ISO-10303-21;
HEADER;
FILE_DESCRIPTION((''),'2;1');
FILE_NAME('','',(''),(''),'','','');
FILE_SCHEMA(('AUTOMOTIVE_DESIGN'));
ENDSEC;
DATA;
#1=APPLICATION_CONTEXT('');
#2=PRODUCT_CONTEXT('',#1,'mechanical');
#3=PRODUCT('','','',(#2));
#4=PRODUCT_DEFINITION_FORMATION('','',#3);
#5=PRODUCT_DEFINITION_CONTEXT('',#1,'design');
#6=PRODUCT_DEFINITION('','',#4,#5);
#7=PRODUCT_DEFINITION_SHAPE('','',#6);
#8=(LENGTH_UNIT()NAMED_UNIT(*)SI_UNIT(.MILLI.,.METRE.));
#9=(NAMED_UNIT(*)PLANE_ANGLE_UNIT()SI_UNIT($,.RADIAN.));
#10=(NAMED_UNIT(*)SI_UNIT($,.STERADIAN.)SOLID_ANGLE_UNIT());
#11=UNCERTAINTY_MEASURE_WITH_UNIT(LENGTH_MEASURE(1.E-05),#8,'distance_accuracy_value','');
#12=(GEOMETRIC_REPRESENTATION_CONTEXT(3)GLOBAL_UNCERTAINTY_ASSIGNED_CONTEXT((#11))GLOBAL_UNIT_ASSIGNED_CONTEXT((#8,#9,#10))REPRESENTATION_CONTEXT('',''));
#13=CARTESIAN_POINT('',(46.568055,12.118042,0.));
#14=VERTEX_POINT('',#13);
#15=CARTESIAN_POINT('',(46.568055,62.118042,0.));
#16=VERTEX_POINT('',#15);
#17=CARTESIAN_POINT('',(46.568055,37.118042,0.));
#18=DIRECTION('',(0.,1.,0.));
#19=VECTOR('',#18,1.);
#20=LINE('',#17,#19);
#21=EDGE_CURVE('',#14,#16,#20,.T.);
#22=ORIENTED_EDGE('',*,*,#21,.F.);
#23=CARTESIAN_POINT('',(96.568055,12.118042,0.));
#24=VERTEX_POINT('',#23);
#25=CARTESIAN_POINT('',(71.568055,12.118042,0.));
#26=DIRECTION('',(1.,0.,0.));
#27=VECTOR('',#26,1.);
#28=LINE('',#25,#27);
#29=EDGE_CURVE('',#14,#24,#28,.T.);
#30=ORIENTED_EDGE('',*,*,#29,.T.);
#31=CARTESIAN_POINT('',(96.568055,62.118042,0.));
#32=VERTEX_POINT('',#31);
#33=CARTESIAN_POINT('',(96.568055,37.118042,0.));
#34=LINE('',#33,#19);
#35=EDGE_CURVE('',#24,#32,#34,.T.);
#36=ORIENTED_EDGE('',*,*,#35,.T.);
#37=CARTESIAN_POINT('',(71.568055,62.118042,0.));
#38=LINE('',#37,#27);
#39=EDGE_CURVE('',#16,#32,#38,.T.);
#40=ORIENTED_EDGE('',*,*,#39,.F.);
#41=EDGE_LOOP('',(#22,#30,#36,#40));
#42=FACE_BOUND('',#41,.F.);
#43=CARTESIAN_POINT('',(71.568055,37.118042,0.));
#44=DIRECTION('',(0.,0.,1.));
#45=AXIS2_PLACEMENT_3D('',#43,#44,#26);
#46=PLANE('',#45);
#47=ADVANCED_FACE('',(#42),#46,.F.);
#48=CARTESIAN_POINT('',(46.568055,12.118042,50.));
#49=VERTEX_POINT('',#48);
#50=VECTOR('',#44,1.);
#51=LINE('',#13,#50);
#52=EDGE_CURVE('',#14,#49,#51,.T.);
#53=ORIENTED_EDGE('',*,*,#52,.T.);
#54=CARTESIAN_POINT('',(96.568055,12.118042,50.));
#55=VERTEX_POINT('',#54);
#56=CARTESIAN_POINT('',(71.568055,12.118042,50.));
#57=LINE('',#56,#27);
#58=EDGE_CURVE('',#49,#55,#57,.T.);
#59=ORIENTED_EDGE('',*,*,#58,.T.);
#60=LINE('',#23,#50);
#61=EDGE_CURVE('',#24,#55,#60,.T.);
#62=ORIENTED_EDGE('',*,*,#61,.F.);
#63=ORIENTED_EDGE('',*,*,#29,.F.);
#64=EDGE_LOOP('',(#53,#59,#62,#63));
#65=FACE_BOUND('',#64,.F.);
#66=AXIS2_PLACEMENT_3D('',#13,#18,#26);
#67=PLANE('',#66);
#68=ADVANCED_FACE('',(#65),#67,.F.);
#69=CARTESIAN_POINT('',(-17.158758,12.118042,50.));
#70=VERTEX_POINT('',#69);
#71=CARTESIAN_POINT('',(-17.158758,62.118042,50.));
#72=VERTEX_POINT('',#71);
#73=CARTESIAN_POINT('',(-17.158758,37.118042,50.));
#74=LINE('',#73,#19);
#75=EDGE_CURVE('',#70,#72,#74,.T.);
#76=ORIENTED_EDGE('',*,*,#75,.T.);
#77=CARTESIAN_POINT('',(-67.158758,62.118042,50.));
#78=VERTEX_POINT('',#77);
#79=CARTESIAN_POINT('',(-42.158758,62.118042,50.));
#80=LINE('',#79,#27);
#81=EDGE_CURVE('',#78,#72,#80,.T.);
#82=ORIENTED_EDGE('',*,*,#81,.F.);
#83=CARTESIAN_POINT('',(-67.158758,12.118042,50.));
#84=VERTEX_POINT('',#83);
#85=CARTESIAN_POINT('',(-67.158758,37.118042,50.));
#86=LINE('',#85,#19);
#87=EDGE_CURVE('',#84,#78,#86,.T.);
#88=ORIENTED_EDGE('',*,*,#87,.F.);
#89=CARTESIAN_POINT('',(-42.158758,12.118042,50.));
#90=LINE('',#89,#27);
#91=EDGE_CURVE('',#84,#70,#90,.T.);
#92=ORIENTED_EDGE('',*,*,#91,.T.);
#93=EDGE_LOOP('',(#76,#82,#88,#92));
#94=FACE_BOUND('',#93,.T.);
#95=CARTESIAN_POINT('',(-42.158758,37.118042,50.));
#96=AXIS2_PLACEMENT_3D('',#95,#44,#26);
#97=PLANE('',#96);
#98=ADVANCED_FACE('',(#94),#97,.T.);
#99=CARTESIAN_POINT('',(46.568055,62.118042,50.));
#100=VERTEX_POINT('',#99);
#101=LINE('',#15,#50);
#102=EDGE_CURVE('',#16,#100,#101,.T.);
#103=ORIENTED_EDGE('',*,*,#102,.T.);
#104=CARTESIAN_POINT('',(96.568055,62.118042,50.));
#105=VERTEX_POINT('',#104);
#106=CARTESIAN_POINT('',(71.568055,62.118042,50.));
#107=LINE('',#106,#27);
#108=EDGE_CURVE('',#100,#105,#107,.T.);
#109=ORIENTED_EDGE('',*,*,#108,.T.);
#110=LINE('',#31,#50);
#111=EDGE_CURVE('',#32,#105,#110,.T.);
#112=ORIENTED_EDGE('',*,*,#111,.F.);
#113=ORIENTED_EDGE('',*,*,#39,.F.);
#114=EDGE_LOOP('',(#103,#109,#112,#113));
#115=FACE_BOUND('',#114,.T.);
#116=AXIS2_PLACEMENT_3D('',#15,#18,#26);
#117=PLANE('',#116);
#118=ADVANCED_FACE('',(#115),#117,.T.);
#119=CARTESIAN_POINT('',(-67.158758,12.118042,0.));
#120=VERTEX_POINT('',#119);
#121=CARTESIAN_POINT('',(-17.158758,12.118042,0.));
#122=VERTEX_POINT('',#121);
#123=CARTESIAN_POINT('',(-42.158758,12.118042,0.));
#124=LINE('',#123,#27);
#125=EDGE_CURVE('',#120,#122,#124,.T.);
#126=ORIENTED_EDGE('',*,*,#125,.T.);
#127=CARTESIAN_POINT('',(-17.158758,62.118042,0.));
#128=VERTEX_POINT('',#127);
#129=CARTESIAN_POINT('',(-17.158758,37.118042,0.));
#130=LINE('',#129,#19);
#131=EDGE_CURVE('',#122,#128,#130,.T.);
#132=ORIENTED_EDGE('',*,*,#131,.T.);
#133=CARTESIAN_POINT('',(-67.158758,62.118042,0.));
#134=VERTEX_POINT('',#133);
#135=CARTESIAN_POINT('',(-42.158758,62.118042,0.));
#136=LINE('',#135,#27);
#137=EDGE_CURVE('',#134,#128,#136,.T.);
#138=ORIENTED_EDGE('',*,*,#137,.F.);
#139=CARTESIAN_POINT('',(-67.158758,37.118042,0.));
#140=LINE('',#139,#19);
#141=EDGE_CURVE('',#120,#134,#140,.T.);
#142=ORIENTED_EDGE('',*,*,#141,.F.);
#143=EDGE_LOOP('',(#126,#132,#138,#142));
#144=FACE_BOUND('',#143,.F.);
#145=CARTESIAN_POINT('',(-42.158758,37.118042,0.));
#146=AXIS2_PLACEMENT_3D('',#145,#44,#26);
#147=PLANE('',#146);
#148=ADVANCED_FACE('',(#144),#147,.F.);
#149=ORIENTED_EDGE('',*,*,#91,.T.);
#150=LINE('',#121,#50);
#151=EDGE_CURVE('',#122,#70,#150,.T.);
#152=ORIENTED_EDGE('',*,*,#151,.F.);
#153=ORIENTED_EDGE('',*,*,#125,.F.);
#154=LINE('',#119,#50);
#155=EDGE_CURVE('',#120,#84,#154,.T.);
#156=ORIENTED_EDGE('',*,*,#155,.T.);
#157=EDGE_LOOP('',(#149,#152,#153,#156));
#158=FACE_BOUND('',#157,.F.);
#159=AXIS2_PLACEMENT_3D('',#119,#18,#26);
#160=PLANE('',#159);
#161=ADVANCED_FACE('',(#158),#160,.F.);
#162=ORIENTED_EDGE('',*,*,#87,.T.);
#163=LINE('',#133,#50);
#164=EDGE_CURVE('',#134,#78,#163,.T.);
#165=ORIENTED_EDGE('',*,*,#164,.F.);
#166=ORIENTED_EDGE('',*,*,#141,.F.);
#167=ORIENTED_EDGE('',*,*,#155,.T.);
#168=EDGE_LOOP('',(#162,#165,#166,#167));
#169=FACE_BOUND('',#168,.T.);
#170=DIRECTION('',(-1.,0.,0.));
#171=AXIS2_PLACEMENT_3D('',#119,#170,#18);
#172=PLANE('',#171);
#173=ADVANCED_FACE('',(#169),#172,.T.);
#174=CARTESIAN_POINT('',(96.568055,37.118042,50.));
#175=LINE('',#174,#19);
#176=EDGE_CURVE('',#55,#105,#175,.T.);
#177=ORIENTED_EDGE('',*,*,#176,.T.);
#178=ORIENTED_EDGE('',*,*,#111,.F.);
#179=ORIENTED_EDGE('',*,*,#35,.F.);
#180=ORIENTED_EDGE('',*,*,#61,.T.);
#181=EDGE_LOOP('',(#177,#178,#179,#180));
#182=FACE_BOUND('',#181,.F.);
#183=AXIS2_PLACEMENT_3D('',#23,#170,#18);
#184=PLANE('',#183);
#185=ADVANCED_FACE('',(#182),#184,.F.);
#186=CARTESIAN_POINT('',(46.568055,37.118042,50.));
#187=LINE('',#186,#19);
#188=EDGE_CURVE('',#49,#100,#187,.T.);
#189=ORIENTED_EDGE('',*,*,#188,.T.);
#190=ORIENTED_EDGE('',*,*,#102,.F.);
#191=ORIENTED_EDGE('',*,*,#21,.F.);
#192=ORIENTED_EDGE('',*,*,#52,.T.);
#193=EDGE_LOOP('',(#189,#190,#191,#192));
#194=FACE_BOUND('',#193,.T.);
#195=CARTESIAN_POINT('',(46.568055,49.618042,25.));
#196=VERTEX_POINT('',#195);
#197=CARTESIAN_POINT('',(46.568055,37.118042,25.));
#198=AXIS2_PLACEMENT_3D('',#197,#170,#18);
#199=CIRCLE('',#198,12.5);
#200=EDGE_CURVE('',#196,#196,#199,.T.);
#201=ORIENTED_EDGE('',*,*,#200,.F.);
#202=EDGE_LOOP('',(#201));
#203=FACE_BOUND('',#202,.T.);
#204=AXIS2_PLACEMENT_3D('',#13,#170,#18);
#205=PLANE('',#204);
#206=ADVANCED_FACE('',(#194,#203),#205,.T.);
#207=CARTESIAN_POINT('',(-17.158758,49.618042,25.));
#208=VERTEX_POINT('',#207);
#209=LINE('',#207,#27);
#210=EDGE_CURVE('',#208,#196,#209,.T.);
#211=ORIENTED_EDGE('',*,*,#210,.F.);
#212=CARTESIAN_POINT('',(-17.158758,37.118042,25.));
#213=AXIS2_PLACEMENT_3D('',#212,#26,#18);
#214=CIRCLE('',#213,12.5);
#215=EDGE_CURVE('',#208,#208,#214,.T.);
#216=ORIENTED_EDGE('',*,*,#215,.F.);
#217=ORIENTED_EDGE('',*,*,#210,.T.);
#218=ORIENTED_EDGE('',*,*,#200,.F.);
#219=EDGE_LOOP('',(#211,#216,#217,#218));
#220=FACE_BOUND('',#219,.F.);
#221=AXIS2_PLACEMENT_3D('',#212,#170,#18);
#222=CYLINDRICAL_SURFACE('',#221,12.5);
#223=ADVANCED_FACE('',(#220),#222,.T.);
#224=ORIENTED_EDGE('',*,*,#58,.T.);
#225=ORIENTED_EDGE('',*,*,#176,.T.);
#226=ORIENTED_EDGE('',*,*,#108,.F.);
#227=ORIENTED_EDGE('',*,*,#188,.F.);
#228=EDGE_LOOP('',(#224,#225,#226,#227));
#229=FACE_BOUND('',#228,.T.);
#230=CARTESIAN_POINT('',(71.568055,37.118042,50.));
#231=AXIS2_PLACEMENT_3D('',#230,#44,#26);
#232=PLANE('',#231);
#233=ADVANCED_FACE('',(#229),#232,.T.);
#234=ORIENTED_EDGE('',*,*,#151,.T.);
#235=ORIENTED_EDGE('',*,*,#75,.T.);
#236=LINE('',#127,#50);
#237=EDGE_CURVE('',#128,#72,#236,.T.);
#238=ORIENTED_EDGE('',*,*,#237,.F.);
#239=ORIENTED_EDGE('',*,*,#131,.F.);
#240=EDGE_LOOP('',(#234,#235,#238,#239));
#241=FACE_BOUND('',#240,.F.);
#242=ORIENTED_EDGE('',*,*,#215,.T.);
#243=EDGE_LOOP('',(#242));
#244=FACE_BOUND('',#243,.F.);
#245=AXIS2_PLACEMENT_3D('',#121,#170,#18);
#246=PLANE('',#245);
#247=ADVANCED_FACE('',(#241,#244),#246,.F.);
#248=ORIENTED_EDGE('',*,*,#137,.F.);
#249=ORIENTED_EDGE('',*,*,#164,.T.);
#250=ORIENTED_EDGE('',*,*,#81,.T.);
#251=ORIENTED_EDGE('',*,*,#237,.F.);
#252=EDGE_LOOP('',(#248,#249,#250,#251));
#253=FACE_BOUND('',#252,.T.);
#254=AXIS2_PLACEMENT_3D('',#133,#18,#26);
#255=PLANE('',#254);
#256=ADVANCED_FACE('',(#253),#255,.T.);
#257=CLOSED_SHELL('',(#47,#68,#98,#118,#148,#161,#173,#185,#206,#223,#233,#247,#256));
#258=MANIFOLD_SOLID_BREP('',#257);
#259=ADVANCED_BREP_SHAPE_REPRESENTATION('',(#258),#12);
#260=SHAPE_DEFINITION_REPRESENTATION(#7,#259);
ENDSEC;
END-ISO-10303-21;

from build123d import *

# Parameters (mm, degrees)
F0_W     = 50
F0_H     = 50
F1_DEPTH = 50
F2_W     = 50
F2_H     = 50
F3_DEPTH = 50
F4_R     = 12.5
F5_DEPTH = 63.726814


with BuildPart() as f1:
    # F0 (on Top) → F1 (new body)
    with BuildSketch(Plane.XY):
        with Locations((-42.158758, 37.118042)):
            Rectangle(F0_W, F0_H)
    extrude(amount=F1_DEPTH)



with BuildPart() as f3:
    # F2 (on Top) → F3 (new body, through all)
    with BuildSketch(Plane.XY):
        with Locations((71.568055, 37.118042)):
            Rectangle(F2_W, F2_H)
    extrude(amount=F3_DEPTH)


with BuildPart() as f1_1:
    add(f1.part)

    add(f3.part)  # F5 merges F3
    # F4 (on face) → F5 (join, through all)
    with BuildSketch(Plane.YZ.offset(-17.158758)):
        with Locations((37.118042, 25)):
            Circle(F4_R)
    extrude(amount=F5_DEPTH)


solid = f1_1.part
